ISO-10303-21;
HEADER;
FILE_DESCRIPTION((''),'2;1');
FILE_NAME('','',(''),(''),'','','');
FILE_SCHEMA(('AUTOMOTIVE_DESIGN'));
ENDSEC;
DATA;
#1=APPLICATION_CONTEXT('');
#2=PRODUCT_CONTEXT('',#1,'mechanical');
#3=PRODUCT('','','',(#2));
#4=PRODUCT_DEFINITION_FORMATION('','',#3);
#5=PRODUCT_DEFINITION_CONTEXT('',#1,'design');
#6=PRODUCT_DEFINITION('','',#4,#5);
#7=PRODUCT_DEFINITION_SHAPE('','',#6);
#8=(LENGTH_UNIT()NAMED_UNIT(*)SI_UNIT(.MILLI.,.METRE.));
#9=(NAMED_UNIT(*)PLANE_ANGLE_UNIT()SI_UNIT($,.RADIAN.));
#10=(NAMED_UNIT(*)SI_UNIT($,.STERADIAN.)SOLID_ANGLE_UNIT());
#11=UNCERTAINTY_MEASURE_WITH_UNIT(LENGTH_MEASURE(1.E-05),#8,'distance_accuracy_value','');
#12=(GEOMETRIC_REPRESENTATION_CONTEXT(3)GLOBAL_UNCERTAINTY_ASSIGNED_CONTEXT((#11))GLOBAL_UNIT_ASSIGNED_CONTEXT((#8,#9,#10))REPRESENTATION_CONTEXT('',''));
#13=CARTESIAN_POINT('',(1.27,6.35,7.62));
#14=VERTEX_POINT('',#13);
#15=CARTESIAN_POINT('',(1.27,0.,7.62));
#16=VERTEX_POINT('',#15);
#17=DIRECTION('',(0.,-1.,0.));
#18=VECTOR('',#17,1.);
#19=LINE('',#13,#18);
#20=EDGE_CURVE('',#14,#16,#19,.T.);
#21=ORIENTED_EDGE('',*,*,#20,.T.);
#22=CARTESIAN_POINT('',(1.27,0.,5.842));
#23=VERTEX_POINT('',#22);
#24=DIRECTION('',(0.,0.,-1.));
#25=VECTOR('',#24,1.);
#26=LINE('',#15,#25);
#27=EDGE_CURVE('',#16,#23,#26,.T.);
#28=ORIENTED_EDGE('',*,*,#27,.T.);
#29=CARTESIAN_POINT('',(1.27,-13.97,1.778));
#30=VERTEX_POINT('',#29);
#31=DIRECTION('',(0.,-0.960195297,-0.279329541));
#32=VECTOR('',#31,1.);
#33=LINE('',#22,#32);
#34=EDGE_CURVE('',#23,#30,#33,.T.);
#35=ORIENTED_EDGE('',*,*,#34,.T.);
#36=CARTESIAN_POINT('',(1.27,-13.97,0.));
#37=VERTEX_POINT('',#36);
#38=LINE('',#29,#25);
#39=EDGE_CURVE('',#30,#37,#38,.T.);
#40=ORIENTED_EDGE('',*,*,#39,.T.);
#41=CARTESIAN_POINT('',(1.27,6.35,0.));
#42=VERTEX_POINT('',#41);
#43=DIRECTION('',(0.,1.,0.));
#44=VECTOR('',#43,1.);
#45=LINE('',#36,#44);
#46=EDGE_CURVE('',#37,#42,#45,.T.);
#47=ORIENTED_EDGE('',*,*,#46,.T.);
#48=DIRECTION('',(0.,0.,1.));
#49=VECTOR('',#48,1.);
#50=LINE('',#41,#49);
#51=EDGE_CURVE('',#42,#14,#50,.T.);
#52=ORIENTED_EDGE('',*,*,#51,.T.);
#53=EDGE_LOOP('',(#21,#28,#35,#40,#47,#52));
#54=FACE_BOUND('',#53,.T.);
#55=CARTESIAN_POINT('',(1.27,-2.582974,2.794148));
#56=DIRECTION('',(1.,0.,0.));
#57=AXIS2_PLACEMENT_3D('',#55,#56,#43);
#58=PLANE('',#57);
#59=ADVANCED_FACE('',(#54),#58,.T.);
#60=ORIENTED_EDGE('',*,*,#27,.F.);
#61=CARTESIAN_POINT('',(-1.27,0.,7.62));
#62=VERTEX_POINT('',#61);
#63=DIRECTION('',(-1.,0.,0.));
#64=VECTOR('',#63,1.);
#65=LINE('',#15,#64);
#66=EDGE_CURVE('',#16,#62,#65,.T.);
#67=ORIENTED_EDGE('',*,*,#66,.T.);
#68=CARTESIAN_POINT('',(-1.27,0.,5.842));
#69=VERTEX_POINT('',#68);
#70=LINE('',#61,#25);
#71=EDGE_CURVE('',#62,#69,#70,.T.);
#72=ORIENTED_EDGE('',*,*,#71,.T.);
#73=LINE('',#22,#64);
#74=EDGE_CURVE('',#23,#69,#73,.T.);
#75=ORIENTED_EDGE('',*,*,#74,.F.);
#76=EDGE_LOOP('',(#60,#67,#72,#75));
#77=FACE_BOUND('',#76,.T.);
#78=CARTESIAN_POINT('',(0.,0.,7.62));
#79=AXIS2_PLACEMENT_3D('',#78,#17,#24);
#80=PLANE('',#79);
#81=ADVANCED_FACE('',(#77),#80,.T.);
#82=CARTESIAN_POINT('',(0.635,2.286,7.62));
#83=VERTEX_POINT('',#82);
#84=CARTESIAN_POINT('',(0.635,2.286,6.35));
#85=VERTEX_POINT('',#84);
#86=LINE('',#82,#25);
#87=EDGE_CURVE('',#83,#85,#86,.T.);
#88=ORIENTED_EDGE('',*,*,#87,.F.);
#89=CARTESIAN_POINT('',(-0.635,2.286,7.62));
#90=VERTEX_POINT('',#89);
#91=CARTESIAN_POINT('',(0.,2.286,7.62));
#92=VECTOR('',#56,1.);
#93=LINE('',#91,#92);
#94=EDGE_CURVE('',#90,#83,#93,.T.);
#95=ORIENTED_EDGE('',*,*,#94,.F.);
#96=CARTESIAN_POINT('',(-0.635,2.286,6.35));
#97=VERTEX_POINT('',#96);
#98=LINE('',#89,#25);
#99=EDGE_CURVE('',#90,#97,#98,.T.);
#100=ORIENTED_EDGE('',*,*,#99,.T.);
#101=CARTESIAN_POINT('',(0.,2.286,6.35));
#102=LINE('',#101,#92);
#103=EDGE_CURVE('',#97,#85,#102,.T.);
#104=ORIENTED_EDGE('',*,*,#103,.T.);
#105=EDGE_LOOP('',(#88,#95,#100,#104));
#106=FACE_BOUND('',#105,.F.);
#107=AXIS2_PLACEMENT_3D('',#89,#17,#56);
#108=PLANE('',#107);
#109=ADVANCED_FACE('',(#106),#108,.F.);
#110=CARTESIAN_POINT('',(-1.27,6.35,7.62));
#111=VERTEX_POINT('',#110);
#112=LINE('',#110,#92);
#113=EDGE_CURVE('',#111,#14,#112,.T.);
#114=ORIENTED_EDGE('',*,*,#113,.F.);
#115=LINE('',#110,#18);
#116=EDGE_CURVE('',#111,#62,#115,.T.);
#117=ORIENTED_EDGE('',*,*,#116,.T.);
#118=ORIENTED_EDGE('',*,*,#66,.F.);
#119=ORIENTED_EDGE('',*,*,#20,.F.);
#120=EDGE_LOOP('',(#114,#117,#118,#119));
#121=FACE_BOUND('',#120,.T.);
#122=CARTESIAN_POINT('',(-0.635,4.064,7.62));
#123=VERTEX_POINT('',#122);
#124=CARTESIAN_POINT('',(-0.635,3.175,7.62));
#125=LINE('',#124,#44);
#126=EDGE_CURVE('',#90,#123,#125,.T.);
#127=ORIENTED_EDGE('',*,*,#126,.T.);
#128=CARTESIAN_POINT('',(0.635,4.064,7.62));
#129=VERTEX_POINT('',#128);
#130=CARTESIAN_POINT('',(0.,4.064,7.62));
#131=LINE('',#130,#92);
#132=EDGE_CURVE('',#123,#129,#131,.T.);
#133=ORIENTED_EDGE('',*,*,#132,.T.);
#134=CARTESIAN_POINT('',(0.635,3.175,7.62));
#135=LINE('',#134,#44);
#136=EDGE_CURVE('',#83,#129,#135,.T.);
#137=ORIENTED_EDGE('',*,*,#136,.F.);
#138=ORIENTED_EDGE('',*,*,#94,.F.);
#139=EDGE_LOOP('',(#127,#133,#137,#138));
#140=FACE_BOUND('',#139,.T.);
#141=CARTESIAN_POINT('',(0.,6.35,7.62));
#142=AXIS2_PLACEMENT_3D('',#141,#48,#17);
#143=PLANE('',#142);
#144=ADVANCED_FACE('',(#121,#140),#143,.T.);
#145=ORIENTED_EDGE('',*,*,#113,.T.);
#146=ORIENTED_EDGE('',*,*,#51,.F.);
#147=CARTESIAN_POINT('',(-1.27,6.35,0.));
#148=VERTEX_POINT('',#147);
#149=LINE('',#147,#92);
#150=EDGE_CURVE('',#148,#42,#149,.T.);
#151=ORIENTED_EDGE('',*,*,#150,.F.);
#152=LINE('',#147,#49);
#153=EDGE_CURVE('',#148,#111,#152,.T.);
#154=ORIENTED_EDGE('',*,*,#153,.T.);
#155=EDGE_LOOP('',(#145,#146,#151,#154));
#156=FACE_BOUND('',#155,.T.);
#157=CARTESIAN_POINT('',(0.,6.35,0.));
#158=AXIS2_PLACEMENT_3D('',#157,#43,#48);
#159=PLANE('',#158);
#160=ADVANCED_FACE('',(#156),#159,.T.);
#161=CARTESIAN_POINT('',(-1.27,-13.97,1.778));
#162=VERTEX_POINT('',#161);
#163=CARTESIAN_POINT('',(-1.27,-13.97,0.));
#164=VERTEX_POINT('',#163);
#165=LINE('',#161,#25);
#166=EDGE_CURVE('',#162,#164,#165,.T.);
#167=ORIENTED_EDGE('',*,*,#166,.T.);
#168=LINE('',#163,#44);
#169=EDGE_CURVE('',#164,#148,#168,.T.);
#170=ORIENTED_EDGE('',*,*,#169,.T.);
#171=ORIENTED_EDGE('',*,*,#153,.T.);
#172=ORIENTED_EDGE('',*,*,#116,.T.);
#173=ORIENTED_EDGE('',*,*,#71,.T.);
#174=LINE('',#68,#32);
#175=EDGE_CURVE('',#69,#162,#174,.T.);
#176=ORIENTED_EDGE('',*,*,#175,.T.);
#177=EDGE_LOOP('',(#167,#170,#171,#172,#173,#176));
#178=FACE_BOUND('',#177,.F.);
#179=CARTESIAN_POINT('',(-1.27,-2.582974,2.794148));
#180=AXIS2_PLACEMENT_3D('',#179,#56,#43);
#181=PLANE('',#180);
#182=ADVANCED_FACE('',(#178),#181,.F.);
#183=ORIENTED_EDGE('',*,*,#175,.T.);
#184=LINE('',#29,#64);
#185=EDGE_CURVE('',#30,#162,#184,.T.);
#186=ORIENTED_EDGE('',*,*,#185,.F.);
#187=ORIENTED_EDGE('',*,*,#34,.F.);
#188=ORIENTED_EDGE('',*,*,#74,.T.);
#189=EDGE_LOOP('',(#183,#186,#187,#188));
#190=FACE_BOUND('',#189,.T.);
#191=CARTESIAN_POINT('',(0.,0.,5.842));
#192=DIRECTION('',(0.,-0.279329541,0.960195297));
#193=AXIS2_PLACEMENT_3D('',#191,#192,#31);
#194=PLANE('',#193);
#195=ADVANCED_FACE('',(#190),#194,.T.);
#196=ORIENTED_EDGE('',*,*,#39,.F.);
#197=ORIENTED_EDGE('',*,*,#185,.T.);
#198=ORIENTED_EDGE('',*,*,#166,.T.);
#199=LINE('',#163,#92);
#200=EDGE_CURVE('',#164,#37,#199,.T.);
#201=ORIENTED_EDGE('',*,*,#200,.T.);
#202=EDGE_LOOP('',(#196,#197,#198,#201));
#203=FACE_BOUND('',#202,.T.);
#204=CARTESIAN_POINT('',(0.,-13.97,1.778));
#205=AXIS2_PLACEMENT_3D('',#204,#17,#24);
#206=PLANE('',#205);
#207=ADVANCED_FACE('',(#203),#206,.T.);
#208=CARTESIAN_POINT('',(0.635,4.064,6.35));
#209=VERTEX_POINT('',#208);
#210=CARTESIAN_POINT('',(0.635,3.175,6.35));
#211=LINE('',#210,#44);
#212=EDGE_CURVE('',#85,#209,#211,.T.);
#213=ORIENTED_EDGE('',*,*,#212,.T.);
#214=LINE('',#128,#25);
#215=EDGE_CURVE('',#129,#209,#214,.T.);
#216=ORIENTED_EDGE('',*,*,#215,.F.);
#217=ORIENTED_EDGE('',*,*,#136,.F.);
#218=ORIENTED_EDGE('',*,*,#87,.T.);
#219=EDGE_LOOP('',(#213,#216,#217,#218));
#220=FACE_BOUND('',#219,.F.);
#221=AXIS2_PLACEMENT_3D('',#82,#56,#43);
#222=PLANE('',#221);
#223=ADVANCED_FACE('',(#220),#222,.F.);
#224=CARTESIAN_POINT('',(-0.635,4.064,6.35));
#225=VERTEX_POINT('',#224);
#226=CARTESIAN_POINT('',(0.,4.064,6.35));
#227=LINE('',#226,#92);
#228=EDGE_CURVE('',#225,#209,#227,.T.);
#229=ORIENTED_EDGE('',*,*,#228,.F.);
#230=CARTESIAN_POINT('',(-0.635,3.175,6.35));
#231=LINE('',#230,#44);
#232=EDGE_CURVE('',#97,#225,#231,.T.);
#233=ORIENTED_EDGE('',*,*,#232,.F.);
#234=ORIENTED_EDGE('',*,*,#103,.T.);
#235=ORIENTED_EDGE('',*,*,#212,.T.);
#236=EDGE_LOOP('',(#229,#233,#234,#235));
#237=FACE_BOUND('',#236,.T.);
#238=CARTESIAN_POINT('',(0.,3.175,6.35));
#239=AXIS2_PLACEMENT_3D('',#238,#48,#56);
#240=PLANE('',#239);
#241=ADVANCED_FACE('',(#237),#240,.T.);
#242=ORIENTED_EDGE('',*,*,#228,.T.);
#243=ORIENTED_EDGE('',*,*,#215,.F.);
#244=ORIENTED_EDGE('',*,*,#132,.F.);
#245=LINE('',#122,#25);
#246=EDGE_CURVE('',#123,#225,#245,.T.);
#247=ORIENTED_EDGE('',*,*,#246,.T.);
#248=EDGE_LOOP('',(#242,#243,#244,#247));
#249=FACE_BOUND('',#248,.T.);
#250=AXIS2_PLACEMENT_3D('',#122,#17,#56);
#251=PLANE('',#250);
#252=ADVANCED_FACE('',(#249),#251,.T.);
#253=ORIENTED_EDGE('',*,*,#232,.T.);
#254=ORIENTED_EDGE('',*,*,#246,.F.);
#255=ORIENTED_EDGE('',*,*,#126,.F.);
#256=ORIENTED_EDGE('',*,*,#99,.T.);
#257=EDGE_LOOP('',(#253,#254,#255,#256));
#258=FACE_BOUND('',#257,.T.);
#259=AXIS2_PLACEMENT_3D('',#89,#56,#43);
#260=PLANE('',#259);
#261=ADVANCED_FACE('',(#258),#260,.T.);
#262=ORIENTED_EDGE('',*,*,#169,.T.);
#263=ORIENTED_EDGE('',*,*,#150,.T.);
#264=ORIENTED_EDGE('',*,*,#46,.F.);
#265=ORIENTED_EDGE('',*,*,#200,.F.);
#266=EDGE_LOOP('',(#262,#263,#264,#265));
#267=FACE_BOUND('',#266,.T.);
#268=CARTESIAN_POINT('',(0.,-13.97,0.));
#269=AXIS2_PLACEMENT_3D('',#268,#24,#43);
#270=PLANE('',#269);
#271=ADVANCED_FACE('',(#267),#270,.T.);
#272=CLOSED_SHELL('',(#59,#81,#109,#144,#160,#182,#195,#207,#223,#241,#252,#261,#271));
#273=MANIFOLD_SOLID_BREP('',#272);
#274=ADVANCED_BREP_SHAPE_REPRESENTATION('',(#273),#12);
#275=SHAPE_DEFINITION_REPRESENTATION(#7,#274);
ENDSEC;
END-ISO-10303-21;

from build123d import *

# Parameters (mm, degrees)
F1_DEPTH = 1.27
F3_W     = 1.27
F3_H     = 1.778
F4_DEPTH = 1.27


with BuildPart() as f1:
    # F0 (on Right) → F1 (new body, symmetric)
    with BuildSketch(Plane.YZ):
        Polygon((-13.97, 1.778), (-13.97, 0), (6.35, 0), (6.35, 7.62), (0, 7.62), (0, 5.842), align=None)
    extrude(amount=F1_DEPTH, both=True)

    # F3 (on offset) → F4 (cut)
    with BuildSketch(Plane.XY.offset(7.62)):
        with Locations((0, 3.175)):
            Rectangle(F3_W, F3_H)
    extrude(amount=-F4_DEPTH, mode=Mode.SUBTRACT)


solid = f1.part
